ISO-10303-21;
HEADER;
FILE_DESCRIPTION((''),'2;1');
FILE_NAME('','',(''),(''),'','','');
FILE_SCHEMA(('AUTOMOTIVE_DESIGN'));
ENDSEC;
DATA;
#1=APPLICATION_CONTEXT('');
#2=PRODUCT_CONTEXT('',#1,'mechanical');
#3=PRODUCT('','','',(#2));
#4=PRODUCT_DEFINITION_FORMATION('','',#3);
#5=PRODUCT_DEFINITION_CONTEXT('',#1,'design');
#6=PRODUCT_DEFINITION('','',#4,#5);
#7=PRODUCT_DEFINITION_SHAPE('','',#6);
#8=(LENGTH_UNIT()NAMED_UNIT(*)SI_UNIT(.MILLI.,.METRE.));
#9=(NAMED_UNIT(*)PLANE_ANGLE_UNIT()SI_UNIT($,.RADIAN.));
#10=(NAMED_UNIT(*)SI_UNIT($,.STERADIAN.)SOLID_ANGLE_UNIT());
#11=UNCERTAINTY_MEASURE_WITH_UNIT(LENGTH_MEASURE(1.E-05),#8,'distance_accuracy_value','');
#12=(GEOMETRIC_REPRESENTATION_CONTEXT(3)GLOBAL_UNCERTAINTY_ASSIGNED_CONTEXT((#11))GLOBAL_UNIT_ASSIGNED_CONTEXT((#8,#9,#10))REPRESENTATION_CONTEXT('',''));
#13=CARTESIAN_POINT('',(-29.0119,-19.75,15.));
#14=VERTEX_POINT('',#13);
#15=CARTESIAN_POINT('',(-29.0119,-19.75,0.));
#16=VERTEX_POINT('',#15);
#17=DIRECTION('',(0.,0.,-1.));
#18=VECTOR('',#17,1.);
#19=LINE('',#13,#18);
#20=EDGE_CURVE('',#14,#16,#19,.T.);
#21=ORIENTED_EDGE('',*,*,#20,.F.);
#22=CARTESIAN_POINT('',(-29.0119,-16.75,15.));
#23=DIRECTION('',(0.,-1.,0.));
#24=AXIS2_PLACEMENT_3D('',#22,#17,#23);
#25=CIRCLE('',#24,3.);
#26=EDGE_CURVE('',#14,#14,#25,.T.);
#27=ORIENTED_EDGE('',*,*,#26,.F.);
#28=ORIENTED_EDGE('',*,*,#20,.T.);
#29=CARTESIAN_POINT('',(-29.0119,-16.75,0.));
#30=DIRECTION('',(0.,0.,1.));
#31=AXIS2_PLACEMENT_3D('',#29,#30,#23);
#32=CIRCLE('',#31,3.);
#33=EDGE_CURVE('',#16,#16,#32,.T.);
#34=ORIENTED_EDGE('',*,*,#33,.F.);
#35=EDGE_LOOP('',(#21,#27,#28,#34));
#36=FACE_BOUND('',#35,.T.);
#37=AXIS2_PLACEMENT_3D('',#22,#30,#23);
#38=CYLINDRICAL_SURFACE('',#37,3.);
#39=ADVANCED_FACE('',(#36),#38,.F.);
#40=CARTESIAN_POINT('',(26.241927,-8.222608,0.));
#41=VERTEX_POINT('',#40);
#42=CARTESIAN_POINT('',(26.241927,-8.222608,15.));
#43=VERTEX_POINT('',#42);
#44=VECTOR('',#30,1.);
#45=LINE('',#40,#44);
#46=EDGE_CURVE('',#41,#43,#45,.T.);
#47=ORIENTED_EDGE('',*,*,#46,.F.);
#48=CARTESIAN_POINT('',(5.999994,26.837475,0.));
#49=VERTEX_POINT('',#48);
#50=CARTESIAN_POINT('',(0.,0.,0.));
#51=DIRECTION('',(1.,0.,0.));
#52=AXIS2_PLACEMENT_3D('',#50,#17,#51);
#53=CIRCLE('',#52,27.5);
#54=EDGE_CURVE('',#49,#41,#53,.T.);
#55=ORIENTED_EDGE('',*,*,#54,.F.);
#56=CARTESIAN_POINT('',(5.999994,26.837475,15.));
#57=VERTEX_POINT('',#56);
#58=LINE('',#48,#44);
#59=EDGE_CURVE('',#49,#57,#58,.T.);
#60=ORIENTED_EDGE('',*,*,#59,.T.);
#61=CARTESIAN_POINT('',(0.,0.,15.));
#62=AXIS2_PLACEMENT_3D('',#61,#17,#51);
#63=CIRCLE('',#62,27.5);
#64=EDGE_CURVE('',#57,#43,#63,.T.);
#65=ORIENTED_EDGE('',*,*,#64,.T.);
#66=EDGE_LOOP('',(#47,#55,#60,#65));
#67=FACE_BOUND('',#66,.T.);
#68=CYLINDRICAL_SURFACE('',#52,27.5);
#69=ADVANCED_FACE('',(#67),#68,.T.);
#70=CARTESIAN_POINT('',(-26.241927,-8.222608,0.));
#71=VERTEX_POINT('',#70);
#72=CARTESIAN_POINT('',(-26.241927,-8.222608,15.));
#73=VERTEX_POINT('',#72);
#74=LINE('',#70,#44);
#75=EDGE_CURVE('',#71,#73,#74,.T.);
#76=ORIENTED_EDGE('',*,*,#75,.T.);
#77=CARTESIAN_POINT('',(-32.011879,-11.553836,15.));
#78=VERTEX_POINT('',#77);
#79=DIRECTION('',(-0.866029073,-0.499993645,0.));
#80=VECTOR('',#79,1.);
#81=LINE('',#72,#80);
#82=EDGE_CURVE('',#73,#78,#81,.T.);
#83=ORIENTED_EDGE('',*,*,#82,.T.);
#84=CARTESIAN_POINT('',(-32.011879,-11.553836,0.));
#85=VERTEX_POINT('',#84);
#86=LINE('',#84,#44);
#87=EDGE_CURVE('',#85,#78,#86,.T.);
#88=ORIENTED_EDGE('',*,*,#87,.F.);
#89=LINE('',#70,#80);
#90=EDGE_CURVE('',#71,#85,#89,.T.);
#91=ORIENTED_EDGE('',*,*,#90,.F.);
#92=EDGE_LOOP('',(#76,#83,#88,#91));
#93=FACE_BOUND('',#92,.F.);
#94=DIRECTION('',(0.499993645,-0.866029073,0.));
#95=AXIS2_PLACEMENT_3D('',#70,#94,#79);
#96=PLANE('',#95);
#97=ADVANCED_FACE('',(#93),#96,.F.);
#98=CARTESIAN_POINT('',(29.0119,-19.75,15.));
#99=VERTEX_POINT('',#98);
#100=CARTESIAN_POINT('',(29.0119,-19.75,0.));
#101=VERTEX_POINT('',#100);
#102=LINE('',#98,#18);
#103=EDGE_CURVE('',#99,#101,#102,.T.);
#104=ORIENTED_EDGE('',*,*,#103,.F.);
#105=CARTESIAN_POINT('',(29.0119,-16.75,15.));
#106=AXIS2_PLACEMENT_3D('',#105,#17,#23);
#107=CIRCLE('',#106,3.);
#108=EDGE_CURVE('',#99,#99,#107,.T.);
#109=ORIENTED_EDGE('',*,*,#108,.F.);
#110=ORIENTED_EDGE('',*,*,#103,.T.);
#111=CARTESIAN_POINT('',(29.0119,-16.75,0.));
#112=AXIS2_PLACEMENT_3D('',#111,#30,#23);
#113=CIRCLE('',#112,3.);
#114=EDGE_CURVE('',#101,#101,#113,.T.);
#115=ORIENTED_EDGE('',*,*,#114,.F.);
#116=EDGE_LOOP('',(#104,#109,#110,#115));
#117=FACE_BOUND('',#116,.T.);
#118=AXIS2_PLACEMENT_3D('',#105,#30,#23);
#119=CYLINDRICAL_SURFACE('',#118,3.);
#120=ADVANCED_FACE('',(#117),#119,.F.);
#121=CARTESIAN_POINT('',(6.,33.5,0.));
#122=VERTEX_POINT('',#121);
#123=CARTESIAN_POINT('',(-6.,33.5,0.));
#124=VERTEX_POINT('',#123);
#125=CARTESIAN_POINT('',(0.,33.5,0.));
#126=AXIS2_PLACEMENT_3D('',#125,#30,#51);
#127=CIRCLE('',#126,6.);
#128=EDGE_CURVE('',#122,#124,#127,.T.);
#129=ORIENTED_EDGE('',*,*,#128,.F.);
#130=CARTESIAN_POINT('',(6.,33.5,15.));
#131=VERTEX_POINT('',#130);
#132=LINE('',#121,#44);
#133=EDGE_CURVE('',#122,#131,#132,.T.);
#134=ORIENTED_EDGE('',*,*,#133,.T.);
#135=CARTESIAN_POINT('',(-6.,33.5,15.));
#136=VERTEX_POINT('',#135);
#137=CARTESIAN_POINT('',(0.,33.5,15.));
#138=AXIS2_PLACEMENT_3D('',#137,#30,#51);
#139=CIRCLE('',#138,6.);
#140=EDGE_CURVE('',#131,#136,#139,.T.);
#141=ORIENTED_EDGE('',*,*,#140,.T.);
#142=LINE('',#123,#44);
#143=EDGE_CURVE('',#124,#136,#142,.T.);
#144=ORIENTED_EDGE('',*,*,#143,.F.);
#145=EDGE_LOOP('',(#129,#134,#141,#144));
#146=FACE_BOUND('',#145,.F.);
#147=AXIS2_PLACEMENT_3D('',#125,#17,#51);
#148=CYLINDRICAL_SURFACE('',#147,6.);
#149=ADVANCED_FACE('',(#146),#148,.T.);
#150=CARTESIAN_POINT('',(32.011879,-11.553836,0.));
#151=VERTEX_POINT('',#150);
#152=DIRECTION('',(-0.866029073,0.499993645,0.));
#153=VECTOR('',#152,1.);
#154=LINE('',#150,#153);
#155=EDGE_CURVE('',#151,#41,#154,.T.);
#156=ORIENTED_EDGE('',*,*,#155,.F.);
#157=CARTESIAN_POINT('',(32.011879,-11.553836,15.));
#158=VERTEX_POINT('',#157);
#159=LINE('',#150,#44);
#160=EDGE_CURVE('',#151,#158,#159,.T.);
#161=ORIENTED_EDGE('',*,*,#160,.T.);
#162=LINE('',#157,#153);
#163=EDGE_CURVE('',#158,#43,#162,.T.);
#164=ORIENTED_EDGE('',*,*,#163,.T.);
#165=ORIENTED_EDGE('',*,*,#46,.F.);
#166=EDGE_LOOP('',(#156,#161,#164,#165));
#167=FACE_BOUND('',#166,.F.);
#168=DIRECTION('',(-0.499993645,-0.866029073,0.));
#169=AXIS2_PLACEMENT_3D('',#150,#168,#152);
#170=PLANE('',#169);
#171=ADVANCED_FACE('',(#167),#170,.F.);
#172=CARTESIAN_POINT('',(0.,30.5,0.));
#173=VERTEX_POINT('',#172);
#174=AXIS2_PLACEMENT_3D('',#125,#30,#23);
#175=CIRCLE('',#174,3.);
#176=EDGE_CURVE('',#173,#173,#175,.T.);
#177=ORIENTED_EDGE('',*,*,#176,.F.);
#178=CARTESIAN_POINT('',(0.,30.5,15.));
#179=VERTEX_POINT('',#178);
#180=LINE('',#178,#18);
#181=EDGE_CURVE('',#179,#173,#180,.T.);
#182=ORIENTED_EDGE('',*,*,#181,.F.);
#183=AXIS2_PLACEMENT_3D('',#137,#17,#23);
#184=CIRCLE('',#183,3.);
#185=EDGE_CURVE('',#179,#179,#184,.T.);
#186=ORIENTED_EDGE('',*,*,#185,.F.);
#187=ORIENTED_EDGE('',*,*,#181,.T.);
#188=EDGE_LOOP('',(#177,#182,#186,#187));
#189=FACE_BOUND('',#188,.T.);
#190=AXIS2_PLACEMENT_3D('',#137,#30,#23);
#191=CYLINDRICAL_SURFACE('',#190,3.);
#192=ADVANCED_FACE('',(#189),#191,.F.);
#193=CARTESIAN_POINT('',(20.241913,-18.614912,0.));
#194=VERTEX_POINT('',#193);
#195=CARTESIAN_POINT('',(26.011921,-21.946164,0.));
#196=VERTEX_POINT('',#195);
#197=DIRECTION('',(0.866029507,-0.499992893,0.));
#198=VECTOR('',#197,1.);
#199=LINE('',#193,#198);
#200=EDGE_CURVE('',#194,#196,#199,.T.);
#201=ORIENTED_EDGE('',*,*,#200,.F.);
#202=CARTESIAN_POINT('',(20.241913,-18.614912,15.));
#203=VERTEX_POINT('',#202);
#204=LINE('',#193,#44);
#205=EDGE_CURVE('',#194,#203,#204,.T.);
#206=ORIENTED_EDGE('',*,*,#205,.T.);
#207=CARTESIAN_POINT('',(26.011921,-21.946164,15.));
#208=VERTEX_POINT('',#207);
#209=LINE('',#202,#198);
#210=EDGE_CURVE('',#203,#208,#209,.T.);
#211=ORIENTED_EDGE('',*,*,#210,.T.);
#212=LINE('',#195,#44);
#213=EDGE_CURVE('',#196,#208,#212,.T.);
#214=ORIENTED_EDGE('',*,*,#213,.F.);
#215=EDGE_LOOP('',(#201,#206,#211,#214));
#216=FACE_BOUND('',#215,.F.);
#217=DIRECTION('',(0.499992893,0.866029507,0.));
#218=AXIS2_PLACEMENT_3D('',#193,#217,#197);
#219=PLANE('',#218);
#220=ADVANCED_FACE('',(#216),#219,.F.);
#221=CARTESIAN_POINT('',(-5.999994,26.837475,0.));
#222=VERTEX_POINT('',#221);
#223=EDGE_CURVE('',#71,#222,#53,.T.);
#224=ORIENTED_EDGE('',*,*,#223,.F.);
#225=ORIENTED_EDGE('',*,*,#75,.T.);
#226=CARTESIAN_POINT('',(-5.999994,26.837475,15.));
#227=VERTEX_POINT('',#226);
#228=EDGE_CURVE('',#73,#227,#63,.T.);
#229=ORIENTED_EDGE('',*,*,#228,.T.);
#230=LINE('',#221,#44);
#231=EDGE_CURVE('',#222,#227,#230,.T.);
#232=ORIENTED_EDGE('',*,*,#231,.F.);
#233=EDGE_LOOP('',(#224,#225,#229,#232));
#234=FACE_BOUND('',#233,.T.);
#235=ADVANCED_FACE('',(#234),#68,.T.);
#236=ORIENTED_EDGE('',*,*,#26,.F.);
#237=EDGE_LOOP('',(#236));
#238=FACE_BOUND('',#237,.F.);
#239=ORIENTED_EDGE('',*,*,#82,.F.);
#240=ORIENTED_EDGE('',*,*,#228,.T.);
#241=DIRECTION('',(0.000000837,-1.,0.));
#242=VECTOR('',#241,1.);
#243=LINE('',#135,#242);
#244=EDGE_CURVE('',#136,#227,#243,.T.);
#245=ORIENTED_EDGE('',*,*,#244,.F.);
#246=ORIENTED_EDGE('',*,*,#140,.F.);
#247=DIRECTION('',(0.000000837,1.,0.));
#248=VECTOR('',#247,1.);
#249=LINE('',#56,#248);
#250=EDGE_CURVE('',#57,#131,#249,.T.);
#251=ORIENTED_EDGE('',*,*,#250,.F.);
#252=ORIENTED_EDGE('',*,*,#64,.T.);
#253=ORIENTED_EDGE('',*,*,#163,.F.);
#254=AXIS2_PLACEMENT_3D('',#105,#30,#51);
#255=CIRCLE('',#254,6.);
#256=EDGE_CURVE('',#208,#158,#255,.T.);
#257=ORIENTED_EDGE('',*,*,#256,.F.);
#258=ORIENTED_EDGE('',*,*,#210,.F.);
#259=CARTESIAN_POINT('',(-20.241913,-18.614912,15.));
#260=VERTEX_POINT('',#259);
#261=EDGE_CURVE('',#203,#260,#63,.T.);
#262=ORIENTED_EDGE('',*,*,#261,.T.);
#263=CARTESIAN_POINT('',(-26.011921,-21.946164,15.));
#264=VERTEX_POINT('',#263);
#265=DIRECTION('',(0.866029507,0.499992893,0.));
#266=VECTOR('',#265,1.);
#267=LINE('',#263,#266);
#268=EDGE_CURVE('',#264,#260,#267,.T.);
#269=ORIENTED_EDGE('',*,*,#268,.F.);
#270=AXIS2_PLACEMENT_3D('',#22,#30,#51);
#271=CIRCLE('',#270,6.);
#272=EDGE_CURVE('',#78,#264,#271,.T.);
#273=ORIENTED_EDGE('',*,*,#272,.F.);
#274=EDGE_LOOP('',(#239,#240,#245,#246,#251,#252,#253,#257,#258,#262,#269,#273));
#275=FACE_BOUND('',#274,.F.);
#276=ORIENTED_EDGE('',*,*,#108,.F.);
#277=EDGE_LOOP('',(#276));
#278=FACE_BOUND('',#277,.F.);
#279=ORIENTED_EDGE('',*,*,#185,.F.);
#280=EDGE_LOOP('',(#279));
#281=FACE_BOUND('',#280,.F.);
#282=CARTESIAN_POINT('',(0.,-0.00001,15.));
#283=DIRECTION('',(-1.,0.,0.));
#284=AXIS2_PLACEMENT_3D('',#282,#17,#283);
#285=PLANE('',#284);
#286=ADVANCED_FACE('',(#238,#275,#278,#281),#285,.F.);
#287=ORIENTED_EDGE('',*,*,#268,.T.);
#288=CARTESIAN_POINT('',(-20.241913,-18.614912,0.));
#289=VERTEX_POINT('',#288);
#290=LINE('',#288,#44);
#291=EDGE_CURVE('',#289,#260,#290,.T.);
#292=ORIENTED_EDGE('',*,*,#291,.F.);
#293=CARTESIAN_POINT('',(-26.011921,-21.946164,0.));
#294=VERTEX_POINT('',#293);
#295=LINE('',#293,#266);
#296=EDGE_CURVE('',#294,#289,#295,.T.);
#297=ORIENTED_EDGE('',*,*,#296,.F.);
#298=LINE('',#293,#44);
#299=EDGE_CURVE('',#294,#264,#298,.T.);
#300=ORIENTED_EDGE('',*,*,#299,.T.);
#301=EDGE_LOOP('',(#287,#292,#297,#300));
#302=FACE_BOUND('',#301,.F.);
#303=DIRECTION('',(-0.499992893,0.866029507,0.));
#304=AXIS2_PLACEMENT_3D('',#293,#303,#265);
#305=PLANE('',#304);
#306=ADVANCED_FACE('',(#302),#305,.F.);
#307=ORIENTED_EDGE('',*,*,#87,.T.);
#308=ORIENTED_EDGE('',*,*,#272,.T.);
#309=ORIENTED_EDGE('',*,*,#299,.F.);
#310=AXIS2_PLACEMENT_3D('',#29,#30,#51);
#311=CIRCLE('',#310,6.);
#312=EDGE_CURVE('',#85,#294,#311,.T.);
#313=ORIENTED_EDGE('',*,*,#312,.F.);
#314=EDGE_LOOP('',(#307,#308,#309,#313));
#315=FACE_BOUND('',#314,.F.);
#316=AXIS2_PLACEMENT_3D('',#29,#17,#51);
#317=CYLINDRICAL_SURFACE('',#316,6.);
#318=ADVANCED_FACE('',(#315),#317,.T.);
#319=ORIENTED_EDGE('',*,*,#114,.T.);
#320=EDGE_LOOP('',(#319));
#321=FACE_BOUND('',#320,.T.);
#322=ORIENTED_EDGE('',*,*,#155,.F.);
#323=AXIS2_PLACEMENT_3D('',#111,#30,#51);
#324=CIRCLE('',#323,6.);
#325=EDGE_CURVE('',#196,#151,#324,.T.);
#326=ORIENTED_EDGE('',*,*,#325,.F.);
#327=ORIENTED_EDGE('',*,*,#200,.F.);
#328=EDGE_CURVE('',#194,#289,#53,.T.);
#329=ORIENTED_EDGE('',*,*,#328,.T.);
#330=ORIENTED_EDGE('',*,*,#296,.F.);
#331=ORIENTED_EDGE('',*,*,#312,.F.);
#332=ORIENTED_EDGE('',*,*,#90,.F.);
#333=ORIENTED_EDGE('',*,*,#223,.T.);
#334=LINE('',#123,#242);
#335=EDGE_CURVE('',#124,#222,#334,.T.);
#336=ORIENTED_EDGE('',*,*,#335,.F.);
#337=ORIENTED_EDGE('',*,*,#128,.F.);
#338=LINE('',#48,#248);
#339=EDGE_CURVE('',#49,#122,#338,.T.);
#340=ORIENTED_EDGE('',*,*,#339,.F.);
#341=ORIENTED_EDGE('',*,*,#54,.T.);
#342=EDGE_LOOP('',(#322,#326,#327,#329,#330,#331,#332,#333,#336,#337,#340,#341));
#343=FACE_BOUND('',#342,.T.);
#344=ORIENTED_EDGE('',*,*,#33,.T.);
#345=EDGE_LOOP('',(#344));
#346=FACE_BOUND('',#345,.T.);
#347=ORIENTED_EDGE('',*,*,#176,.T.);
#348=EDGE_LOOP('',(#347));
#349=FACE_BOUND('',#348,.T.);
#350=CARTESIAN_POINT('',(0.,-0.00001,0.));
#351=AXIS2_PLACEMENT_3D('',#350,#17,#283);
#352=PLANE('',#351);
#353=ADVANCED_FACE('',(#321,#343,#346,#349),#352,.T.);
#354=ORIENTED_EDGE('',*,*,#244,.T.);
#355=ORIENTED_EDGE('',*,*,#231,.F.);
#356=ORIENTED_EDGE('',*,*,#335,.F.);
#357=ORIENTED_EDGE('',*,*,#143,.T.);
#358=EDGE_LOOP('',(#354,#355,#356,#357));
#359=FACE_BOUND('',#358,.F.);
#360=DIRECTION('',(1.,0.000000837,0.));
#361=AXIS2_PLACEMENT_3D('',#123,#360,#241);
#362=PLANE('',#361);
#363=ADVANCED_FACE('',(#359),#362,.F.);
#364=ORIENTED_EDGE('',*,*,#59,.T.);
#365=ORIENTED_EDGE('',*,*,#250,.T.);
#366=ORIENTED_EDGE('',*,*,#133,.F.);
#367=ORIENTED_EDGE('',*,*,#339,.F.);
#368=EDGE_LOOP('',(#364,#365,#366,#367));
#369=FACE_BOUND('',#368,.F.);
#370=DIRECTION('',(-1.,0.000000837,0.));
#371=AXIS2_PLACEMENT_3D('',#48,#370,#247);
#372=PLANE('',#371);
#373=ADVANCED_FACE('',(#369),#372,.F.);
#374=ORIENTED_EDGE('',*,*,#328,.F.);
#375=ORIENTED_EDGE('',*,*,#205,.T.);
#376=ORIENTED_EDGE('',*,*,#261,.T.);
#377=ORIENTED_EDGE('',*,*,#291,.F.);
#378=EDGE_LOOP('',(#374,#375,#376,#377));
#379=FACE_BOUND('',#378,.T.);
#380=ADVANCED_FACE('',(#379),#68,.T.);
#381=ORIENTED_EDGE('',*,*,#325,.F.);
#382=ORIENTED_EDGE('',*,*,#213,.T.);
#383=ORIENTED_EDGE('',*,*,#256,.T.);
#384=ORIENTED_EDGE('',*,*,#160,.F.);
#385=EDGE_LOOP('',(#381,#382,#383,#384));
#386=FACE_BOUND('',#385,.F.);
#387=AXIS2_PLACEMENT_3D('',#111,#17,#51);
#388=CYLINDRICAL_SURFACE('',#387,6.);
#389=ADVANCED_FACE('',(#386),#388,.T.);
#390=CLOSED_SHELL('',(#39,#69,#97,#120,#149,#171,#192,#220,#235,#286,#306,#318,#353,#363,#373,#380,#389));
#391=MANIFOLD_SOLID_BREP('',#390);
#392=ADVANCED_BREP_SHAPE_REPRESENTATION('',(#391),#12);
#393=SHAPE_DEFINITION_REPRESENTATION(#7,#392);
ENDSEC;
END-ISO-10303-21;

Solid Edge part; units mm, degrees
sketch "Sketch1" plane through (0, 0, 0) normal (0, 0, 1) x (1, 0, 0)
  arc A0 (-26.2419, -8.2226) -> (-6, 26.8375) centre (0, 0) cw
  line L0 (-6, 33.5) -> (-6, 26.8375)
  arc A1 (6, 33.5) -> (-6, 33.5) centre (0, 33.5) ccw
  line L1 (6, 26.8375) -> (6, 33.5)
  arc A2 (6, 26.8375) -> (26.2419, -8.2226) centre (0, 0) cw
  line L2 (32.0119, -11.5538) -> (26.2419, -8.2226)
  arc A3 (26.0119, -21.9462) -> (32.0119, -11.5538) centre (29.0119, -16.75) ccw
  line L3 (20.2419, -18.6149) -> (26.0119, -21.9462)
  arc A4 (20.2419, -18.6149) -> (-20.2419, -18.6149) centre (0, 0) cw
  line L4 (-26.0119, -21.9462) -> (-20.2419, -18.6149)
  arc A5 (-32.0119, -11.5538) -> (-26.0119, -21.9462) centre (-29.0119, -16.75) ccw
  line L5 (-26.2419, -8.2226) -> (-32.0119, -11.5538)
extrude "Protrusion1" add sketch "Sketch1" along normal blind 15
hole "Bohrung_1" at (29.0119, -16.75, 15) direction (0, 0, -1) diameter 6 end through all
hole "Hole1" at (-29.0119, -16.75, 15) direction (0, 0, -1) diameter 6 end through all
hole "Hole2" at (0, 33.5, 15) direction (0, 0, -1) diameter 6 end through all
properties part number "DV5" material "Gelbmessing"
